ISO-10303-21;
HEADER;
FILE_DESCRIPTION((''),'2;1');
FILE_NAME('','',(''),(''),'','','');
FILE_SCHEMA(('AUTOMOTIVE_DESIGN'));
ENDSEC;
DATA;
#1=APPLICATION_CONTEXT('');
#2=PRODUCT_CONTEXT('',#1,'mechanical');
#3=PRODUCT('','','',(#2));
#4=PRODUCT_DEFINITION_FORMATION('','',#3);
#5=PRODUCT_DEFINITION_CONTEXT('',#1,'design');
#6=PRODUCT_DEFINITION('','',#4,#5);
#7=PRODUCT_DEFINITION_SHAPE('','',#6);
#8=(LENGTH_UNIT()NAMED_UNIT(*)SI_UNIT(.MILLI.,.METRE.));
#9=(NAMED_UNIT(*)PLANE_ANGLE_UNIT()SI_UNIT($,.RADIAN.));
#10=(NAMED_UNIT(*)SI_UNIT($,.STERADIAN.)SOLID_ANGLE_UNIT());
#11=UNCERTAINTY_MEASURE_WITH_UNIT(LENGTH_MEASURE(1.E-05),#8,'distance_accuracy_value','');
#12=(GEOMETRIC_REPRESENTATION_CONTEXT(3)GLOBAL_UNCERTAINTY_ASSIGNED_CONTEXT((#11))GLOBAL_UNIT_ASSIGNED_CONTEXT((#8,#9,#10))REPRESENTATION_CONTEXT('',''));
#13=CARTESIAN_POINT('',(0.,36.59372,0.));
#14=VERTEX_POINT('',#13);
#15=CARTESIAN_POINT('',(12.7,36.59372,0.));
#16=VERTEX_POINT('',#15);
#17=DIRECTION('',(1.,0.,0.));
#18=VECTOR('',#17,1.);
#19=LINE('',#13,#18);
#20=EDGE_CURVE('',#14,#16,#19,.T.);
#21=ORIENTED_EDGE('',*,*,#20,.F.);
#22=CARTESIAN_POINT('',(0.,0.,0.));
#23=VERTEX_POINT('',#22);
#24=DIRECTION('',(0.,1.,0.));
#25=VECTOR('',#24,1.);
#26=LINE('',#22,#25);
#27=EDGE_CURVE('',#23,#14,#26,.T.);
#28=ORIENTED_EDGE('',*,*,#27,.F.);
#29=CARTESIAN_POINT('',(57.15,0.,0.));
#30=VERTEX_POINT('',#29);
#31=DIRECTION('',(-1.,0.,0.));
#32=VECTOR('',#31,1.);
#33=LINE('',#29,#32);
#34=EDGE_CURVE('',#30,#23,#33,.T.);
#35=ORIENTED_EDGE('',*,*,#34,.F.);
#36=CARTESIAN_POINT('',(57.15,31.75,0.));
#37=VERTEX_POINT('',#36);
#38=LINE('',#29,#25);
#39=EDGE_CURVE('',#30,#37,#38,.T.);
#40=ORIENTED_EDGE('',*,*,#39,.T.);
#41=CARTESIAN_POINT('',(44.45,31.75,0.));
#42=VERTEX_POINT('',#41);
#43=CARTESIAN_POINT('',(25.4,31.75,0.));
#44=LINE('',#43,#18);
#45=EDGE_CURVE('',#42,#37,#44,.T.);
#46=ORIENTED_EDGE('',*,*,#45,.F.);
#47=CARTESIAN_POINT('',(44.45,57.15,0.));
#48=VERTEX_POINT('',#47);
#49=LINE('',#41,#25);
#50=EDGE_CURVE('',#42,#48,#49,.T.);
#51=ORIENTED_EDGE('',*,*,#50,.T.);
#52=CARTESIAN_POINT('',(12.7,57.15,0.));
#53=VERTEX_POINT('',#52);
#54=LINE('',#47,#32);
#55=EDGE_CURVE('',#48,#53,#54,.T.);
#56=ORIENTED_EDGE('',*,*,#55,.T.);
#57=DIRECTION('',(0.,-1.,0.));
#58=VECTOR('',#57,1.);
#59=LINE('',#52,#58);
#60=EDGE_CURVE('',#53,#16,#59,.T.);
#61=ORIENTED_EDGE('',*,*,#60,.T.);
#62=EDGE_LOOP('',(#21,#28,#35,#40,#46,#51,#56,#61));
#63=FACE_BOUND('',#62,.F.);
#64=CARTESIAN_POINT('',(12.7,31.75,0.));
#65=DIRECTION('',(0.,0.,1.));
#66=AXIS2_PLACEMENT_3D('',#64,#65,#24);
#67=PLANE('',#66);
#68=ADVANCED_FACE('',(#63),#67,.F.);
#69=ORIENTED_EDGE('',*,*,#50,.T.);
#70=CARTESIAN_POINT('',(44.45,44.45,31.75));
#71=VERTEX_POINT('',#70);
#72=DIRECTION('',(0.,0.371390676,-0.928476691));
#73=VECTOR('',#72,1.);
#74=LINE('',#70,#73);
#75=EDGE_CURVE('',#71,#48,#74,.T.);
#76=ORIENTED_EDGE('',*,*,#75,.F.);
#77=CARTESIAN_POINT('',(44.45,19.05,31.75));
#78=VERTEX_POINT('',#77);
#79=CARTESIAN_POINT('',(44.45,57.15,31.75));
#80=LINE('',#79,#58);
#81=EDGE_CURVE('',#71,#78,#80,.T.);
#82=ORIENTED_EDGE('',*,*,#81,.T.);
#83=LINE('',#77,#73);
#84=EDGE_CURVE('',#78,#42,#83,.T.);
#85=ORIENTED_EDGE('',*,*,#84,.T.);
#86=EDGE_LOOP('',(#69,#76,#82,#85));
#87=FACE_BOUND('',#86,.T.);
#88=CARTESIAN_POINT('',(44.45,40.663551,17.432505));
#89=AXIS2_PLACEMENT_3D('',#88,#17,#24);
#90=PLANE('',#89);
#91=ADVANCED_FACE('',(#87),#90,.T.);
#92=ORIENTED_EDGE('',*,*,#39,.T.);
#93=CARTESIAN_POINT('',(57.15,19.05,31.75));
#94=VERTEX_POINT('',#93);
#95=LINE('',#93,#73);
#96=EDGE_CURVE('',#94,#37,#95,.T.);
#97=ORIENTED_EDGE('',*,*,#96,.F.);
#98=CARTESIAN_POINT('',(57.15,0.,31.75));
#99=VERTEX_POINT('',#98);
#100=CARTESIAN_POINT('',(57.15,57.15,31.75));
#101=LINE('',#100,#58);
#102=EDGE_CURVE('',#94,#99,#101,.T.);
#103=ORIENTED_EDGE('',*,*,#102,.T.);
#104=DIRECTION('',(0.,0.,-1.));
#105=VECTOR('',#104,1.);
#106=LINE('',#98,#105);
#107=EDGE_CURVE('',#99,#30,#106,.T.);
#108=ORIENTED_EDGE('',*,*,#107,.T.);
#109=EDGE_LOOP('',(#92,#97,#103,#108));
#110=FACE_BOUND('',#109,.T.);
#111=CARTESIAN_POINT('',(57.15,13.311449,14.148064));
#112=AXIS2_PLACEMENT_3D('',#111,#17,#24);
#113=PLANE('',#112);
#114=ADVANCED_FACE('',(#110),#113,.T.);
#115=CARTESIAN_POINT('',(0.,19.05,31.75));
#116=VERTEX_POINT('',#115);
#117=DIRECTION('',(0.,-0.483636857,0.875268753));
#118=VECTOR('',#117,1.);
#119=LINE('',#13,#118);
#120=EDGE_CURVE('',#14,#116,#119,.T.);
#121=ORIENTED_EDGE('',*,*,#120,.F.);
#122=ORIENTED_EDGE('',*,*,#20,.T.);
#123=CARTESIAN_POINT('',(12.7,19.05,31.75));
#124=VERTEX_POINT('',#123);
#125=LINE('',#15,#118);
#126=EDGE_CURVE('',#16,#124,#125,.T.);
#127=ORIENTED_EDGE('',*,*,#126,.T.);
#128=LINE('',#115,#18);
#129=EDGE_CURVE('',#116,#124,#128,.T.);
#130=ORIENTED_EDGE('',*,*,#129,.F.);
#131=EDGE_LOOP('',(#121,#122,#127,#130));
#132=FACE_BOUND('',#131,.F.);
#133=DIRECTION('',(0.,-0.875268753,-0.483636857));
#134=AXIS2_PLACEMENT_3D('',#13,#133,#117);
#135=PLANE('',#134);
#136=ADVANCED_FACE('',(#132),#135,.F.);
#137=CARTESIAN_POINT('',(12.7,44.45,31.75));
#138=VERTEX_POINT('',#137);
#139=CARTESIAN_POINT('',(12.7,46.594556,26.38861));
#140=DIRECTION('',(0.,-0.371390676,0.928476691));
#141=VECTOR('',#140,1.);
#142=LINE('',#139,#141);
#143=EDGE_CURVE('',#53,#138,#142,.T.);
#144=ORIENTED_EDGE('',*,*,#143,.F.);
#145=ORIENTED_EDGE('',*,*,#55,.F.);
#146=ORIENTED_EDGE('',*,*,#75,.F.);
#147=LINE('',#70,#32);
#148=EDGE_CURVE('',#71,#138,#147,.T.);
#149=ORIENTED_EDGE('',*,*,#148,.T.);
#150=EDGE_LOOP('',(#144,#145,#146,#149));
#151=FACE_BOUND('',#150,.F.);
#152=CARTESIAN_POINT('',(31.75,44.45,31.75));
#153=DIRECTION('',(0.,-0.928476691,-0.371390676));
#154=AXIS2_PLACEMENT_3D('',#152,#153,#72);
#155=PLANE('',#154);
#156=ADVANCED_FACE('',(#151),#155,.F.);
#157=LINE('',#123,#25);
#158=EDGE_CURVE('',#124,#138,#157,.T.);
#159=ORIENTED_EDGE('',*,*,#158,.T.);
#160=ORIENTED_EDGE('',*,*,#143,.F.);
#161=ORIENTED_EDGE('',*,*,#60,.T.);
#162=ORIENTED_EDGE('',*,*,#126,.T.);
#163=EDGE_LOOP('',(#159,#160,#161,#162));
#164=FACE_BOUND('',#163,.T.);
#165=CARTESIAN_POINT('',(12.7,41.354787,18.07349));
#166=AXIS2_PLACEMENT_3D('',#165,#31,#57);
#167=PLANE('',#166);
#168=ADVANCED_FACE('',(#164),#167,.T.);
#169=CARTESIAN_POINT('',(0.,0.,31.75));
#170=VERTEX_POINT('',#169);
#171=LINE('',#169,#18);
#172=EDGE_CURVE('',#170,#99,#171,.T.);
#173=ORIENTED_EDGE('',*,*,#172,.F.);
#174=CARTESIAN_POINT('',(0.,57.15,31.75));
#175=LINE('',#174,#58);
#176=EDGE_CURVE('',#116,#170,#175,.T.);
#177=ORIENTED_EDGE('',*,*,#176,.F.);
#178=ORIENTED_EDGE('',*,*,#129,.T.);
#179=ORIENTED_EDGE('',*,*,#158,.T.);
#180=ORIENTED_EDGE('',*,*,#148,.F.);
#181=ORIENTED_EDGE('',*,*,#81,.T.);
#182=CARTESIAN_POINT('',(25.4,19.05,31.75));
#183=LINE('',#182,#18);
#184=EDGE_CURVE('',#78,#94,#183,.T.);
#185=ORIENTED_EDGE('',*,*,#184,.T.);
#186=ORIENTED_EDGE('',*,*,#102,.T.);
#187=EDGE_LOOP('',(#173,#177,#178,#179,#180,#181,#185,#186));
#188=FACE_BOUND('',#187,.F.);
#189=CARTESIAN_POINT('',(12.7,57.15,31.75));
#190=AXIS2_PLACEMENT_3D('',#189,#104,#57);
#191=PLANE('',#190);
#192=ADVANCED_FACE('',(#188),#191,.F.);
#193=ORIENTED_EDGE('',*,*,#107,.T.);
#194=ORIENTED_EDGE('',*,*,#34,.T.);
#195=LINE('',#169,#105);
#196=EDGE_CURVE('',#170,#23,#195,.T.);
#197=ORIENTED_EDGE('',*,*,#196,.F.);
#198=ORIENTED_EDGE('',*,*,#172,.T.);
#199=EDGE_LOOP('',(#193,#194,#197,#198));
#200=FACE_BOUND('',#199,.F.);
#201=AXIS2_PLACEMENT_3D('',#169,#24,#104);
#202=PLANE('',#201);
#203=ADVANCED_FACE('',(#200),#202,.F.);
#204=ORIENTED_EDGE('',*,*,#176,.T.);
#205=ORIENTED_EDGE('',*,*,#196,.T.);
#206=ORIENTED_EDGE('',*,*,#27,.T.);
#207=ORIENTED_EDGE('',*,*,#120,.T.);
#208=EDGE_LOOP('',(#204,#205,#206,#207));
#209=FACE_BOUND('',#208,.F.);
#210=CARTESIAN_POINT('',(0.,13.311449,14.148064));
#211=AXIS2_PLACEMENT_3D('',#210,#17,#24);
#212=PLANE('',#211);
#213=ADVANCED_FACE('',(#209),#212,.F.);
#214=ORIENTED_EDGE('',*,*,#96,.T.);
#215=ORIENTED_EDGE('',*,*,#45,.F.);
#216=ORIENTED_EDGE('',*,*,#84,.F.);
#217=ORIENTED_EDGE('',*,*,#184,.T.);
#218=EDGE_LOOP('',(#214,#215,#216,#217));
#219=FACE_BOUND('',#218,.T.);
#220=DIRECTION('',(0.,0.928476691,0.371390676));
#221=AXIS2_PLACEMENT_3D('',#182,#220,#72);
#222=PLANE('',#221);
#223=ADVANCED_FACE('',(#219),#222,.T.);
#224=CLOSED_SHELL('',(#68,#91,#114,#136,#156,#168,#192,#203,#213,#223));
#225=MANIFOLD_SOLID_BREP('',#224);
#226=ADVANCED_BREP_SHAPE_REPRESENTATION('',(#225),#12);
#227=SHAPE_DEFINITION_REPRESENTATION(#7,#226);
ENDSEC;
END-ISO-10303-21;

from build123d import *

# Parameters (mm, degrees)
F1_DEPTH = 25.4
F3_DEPTH = 12.7
F5_DEPTH = 31.75
F6_DEPTH = 12.7
F8_DEPTH = 12.7
F9_DEPTH = 25.4


with BuildPart() as f1:
    # F0 (on Right) → F1 (new body)
    with BuildSketch(Plane.YZ):
        Polygon((0, 31.75), (0, 0), (31.75, 0), (19.05, 31.75), align=None)
        Polygon((19.05, 31.75), (31.75, 0), (57.15, 0), (57.15, 31.75), align=None)
    extrude(amount=F1_DEPTH)

    # F2 (on face) → F3 (cut)
    with BuildSketch(Plane.YZ.offset(25.4)):
        Polygon((57.15, 31.75), (19.05, 31.75), (31.75, 0), (57.15, 0), align=None)
    extrude(amount=-F3_DEPTH, mode=Mode.SUBTRACT)

    # F5 (add): faces of the model
    f5_faces = [f1.faces().sort_by_distance(p)[0] for p in [
        (12.7, 41.0633333333, 16.9333333333),
        (25.4, 12.9645833333, 14.5520833333),
    ]]
    extrude(f5_faces, amount=F5_DEPTH)

    # F4 (on face) → F6 (cut)
    with BuildSketch(Plane(origin=(0, 0, 0), x_dir=(0, -1, 0), z_dir=(-1, 0, 0))):
        Polygon((-57.15, 31.75), (-57.15, 0), (-36.5937203169, 0), (-19.05, 31.75), align=None)
    extrude(amount=-F6_DEPTH, mode=Mode.SUBTRACT)

    # F7 (on face) → F8 (cut)
    with BuildSketch(Plane.YZ.offset(44.45)):
        Polygon((57.15, 31.75), (44.45, 31.75), (57.15, 0), align=None)
    extrude(amount=-F8_DEPTH, mode=Mode.SUBTRACT)

    # F9 (cut): a face of the model
    f9_faces = [f1.faces().sort_by_distance(p)[0] for p in [
        (31.75, 52.9166666667, 21.1666666667),
    ]]
    extrude(f9_faces, amount=-F9_DEPTH, mode=Mode.SUBTRACT)


solid = f1.part
